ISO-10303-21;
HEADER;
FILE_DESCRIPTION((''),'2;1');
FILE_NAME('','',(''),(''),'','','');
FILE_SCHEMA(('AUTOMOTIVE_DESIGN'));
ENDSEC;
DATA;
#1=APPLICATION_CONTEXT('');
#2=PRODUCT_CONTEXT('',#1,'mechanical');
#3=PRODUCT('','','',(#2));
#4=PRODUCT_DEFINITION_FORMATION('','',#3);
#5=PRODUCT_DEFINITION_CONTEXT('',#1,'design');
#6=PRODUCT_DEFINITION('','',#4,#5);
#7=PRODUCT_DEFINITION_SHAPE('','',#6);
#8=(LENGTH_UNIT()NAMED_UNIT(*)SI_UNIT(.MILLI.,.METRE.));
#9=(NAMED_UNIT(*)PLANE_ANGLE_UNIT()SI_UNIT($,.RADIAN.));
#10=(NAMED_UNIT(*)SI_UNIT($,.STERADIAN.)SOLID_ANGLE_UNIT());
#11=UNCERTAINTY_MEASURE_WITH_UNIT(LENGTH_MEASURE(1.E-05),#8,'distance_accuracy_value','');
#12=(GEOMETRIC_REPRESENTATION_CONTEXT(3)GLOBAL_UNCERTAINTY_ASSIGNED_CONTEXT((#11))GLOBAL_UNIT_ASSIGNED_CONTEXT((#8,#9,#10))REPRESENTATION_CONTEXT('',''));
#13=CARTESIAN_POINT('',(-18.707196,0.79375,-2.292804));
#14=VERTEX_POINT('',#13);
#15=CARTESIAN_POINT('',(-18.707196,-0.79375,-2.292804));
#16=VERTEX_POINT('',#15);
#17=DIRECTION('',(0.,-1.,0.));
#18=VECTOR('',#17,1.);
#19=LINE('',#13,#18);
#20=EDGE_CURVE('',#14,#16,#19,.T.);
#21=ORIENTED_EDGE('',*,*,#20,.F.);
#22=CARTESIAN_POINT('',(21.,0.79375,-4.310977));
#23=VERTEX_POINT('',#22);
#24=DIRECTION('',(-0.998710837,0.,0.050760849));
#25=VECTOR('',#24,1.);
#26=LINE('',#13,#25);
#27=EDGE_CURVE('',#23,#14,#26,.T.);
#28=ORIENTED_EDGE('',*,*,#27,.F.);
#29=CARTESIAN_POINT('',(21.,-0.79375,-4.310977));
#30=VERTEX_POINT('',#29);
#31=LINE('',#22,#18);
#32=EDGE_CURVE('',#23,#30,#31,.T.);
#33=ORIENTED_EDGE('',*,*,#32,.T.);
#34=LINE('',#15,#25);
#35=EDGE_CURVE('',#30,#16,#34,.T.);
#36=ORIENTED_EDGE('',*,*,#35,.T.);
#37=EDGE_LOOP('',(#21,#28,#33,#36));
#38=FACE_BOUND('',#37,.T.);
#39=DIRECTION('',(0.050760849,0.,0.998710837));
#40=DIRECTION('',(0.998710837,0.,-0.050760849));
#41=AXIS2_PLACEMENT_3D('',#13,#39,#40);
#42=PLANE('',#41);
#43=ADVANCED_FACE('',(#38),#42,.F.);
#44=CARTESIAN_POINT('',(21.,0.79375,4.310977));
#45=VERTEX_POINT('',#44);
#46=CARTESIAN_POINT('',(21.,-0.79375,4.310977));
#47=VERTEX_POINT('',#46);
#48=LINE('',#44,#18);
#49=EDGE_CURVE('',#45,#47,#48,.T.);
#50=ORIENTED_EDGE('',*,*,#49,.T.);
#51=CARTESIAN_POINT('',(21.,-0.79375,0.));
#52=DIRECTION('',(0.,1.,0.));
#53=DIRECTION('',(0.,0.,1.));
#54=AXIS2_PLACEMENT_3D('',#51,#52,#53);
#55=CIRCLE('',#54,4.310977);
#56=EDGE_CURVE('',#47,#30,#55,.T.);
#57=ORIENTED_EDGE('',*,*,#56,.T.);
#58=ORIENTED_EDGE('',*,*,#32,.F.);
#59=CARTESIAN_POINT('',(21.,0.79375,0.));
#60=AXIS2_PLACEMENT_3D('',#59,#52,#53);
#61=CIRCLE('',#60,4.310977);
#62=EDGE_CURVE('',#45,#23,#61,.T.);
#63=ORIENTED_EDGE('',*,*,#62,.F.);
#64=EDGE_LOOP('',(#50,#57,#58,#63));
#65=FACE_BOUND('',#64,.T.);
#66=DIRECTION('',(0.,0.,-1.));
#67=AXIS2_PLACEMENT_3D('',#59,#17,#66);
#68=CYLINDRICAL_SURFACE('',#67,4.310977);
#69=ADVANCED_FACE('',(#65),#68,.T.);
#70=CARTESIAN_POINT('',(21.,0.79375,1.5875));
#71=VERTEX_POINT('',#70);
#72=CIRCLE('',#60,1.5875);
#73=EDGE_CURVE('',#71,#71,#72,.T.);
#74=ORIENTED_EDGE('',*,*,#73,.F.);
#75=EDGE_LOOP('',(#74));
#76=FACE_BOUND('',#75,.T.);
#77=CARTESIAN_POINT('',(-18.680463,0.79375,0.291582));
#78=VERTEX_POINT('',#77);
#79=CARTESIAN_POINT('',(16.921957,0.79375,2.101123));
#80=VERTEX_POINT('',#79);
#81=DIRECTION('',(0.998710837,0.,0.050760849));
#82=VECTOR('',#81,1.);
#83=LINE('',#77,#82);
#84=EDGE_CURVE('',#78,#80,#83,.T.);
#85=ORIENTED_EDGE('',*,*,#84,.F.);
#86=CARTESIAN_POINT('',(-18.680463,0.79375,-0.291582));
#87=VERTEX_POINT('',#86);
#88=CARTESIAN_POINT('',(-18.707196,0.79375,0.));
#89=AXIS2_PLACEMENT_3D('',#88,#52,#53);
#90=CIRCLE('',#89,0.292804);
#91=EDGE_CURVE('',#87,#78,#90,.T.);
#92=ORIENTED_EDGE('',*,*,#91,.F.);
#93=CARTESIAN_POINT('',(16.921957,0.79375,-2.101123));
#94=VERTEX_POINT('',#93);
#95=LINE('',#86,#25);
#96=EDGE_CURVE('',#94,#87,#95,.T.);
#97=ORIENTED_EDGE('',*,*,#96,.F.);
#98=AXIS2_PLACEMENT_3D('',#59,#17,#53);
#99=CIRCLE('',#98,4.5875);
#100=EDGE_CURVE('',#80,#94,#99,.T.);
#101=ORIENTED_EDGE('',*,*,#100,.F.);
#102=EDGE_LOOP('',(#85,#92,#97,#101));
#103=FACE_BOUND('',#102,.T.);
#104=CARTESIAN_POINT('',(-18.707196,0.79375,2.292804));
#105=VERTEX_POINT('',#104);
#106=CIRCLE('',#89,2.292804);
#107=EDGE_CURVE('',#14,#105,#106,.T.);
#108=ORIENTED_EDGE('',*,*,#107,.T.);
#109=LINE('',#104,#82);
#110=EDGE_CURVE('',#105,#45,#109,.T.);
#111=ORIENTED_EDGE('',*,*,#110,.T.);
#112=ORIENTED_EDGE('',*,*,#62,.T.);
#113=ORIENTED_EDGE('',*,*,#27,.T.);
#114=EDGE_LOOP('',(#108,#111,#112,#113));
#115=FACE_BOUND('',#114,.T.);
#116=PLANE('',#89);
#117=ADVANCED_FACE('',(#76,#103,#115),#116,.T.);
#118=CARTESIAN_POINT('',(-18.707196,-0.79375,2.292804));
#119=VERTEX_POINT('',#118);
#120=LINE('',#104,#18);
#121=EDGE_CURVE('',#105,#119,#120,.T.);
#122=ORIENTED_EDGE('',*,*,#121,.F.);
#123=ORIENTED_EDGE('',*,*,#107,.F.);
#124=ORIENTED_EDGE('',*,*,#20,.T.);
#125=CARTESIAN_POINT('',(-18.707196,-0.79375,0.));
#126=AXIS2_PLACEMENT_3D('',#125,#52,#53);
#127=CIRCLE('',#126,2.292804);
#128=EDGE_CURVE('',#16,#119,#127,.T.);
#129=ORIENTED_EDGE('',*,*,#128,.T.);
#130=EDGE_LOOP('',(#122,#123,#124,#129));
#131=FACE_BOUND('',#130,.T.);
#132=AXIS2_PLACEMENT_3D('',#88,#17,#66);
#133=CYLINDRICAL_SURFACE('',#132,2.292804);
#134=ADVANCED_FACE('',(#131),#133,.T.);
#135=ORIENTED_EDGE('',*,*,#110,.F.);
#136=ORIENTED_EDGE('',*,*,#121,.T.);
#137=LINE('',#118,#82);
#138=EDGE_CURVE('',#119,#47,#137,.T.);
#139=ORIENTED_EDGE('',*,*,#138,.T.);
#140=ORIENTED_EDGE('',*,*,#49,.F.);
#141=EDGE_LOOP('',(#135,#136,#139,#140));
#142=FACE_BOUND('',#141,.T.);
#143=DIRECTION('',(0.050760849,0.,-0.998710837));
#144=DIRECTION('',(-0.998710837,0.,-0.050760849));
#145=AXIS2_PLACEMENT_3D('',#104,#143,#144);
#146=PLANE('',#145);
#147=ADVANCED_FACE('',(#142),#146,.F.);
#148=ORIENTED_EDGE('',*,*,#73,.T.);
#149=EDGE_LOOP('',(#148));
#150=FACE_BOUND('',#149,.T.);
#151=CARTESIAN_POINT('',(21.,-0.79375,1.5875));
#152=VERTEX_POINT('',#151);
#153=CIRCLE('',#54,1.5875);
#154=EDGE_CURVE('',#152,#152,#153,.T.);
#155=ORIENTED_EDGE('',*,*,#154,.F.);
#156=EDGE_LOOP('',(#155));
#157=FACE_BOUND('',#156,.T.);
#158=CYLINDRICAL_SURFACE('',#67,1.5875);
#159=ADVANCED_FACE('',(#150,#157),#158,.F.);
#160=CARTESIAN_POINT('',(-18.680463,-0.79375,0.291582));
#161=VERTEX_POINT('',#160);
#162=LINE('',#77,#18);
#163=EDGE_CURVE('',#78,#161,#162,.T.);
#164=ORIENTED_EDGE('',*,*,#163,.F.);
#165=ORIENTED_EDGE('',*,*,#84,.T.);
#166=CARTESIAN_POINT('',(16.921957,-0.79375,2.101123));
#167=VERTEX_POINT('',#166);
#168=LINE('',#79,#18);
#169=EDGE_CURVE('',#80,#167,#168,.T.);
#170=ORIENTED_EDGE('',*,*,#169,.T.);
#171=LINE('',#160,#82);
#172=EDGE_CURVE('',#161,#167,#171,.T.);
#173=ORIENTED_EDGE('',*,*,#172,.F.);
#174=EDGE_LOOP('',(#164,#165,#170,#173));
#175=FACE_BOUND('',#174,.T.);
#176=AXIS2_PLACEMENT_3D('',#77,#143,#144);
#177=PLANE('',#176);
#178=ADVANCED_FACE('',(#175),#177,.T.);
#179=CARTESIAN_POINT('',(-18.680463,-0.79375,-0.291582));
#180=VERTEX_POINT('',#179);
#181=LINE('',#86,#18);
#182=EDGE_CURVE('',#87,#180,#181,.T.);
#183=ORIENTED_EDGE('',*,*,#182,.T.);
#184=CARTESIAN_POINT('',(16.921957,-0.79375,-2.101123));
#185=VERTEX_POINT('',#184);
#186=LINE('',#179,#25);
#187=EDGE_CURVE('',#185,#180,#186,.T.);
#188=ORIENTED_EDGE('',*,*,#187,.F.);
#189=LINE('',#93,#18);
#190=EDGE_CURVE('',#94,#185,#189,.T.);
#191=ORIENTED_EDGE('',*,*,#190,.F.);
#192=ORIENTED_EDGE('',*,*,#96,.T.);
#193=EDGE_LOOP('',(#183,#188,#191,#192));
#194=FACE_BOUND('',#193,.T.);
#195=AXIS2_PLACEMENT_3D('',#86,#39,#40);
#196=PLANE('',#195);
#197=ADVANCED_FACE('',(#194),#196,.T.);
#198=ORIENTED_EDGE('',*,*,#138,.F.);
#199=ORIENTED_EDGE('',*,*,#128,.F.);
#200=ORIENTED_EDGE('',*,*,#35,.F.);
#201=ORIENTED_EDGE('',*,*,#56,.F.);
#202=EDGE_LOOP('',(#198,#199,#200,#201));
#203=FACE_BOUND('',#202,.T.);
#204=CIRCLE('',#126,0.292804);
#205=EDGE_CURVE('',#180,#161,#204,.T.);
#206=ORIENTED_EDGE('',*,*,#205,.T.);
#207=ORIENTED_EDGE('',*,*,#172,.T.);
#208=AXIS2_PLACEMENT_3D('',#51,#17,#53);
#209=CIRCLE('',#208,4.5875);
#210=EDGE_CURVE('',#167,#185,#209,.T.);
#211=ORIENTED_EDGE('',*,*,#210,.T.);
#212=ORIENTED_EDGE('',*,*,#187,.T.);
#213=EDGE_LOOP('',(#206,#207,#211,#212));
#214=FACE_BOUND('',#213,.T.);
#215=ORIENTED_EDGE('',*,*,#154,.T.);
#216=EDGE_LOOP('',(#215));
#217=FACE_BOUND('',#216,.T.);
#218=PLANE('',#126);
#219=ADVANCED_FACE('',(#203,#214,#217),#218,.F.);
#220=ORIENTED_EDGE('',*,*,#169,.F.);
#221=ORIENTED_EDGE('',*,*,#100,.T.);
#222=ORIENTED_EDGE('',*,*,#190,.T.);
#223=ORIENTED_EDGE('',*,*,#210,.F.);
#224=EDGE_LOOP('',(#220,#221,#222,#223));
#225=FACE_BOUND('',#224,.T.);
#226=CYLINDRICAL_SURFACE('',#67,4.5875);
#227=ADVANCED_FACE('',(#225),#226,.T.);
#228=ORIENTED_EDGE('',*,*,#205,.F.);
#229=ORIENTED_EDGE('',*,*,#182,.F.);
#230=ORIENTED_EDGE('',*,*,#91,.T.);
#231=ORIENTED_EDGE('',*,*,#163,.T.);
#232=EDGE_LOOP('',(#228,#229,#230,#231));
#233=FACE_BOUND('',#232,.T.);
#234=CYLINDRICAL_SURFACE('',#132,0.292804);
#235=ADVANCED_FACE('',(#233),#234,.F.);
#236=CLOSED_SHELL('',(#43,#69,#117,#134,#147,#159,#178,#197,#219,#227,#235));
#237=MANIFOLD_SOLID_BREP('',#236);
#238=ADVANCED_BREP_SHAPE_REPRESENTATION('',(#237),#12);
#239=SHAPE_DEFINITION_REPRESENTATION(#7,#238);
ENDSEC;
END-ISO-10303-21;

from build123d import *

# Parameters (mm, degrees)
SKETCH1_R           = 1.5875
BOSS_EXTRUDE1_DEPTH = 0.79375


with BuildPart() as part:
    # Sketch1 → Boss-Extrude1 (new, symmetric)
    with BuildSketch(Plane(origin=(0, 0, 0), x_dir=(1, 0, 0), z_dir=(0, 1, 0))):
        with BuildLine():
            Line((-18.707195569, 2.292804431), (21, 4.31097716))
            ThreePointArc((21, 4.31097716), (25.31097716, 0), (21, -4.31097716))
            Line((21, -4.31097716), (-18.707195569, -2.292804431))
            ThreePointArc((-18.707195569, -2.292804431), (-21, 0), (-18.707195569, 2.292804431))
        make_face()
        with Locations(Location((21, 0, 0), (0, 0, 270))):
            Circle(SKETCH1_R, mode=Mode.SUBTRACT)
        with BuildLine():
            Line((-18.680462574, 0.291581518), (16.921956733, 2.101123358))
            ThreePointArc((16.921956733, 2.101123358), (16.4125, 0), (16.921956733, -2.101123358))
            Line((16.921956733, -2.101123358), (-18.680462574, -0.291581518))
            ThreePointArc((-18.680462574, -0.291581518), (-19, 0), (-18.680462574, 0.291581518))
        make_face(mode=Mode.SUBTRACT)
    extrude(amount=BOSS_EXTRUDE1_DEPTH, both=True)


solid = part.part
